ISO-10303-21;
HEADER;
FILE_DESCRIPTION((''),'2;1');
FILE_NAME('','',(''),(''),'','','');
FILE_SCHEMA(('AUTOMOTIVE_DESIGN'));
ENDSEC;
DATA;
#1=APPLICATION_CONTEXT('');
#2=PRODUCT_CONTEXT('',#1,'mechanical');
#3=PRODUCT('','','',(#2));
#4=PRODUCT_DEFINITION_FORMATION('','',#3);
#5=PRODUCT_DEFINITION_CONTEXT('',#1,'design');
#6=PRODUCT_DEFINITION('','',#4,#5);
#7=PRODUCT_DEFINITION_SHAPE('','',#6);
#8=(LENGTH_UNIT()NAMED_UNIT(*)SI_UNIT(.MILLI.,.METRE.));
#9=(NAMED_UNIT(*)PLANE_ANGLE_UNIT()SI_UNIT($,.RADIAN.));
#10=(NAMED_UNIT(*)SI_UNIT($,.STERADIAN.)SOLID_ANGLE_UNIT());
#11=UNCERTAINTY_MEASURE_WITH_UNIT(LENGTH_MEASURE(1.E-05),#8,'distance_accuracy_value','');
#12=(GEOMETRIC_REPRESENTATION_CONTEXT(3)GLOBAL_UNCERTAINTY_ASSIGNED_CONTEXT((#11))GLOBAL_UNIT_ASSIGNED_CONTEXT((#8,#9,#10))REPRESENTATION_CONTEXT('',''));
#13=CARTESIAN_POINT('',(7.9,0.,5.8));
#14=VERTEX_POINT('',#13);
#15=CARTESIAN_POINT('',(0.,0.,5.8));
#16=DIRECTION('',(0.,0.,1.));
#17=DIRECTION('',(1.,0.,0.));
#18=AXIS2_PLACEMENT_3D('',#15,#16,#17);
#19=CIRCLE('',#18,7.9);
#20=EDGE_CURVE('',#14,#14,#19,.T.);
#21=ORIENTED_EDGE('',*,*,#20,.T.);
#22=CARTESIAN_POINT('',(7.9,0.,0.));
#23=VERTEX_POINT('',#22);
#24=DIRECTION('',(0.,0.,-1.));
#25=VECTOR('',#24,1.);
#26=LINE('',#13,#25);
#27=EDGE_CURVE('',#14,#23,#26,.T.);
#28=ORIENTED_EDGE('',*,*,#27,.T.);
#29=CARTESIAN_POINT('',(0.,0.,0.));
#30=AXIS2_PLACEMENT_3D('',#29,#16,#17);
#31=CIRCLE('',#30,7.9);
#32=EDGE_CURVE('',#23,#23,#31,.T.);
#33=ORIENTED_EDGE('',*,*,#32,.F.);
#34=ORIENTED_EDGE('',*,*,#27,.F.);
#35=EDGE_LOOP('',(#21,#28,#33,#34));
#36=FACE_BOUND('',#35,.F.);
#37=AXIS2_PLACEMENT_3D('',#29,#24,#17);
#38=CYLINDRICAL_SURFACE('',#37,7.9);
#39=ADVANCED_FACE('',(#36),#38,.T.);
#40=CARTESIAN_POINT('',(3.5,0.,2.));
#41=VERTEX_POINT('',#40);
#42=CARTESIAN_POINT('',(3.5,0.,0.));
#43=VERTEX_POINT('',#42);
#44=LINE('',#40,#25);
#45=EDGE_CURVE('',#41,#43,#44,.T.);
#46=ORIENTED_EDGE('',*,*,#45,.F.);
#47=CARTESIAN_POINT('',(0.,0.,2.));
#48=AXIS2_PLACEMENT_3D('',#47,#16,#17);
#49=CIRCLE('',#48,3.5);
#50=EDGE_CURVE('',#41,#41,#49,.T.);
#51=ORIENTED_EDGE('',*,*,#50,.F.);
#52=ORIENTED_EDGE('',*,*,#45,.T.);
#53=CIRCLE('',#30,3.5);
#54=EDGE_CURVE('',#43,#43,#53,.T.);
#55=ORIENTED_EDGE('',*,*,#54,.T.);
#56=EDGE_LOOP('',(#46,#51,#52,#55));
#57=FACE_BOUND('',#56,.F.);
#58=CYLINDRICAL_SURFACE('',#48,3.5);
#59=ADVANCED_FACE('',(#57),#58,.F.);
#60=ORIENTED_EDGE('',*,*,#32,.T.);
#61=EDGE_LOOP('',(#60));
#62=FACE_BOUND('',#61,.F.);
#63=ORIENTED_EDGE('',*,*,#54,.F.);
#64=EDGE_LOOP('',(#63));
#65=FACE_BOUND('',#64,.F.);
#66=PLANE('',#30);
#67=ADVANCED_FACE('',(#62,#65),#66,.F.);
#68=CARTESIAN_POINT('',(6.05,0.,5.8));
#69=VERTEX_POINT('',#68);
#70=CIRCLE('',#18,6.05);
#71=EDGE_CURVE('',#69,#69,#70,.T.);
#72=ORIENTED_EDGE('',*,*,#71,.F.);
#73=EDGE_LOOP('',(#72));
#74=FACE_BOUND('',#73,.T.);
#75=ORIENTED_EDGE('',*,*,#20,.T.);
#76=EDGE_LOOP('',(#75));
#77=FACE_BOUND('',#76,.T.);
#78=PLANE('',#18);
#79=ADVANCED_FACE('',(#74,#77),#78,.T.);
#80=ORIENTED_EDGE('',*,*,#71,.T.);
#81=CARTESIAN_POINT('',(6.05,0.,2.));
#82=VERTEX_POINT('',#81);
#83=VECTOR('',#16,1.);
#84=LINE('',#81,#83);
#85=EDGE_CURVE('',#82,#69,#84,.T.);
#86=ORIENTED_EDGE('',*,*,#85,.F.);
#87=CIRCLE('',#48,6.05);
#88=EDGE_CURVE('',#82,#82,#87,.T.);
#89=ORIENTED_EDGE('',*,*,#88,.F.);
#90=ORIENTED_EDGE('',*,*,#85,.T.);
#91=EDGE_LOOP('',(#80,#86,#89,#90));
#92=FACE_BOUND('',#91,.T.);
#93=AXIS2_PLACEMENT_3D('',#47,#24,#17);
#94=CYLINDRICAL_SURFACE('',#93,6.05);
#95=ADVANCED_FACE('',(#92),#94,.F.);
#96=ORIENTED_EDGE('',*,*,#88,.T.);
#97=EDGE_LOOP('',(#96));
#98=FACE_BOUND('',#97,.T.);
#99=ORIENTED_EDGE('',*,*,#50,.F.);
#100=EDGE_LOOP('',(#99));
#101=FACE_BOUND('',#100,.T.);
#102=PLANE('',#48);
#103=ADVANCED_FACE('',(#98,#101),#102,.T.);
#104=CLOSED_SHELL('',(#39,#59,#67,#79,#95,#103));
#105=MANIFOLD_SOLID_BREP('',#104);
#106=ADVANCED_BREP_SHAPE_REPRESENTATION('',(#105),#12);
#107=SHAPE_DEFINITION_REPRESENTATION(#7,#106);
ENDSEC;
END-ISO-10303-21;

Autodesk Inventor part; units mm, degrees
ref_plane "YZ Plane" through (0, 0, 0) normal (1, 0, 0) x (0, 1, 0)
ref_plane "XZ Plane" through (0, 0, 0) normal (0, 1, 0) x (-1, 0, 0)
ref_plane "XY Plane" through (0, 0, 0) normal (0, 0, 1) x (1, 0, 0)
sketch "Sketch1" plane through (0, 0, 0) normal (0, 0, 1) x (1, 0, 0)
  circle A0 centre (0, 0) radius 7.9
  dimension "d0" = 15.8
extrude "Extrusion1" add sketch "Sketch1" along normal blind 2
sketch "Sketch2" plane through (0, 0, 2) normal (0, 0, 1) x (1, 0, 0)
  circle A0 centre (0, 0) radius 7.9 projected
  circle A1 centre (0, 0) radius 7.9
  circle A2 centre (0, 0) radius 6.05
  dimension "d4" = 12.1
extrude "Extrusion2" add sketch "Sketch2" along normal blind 3.8
sketch "Sketch3" plane through (0, 0, 2) normal (0, 0, 1) x (1, 0, 0)
  circle A0 centre (0, 0) radius 6.05 projected
  circle A1 centre (0, 0) radius 3.5
  dimension "d8" = 7
extrude "Extrusion3" cut sketch "Sketch3" against normal blind 4 contours A1
properties part number "Bearring cap 8mm"
